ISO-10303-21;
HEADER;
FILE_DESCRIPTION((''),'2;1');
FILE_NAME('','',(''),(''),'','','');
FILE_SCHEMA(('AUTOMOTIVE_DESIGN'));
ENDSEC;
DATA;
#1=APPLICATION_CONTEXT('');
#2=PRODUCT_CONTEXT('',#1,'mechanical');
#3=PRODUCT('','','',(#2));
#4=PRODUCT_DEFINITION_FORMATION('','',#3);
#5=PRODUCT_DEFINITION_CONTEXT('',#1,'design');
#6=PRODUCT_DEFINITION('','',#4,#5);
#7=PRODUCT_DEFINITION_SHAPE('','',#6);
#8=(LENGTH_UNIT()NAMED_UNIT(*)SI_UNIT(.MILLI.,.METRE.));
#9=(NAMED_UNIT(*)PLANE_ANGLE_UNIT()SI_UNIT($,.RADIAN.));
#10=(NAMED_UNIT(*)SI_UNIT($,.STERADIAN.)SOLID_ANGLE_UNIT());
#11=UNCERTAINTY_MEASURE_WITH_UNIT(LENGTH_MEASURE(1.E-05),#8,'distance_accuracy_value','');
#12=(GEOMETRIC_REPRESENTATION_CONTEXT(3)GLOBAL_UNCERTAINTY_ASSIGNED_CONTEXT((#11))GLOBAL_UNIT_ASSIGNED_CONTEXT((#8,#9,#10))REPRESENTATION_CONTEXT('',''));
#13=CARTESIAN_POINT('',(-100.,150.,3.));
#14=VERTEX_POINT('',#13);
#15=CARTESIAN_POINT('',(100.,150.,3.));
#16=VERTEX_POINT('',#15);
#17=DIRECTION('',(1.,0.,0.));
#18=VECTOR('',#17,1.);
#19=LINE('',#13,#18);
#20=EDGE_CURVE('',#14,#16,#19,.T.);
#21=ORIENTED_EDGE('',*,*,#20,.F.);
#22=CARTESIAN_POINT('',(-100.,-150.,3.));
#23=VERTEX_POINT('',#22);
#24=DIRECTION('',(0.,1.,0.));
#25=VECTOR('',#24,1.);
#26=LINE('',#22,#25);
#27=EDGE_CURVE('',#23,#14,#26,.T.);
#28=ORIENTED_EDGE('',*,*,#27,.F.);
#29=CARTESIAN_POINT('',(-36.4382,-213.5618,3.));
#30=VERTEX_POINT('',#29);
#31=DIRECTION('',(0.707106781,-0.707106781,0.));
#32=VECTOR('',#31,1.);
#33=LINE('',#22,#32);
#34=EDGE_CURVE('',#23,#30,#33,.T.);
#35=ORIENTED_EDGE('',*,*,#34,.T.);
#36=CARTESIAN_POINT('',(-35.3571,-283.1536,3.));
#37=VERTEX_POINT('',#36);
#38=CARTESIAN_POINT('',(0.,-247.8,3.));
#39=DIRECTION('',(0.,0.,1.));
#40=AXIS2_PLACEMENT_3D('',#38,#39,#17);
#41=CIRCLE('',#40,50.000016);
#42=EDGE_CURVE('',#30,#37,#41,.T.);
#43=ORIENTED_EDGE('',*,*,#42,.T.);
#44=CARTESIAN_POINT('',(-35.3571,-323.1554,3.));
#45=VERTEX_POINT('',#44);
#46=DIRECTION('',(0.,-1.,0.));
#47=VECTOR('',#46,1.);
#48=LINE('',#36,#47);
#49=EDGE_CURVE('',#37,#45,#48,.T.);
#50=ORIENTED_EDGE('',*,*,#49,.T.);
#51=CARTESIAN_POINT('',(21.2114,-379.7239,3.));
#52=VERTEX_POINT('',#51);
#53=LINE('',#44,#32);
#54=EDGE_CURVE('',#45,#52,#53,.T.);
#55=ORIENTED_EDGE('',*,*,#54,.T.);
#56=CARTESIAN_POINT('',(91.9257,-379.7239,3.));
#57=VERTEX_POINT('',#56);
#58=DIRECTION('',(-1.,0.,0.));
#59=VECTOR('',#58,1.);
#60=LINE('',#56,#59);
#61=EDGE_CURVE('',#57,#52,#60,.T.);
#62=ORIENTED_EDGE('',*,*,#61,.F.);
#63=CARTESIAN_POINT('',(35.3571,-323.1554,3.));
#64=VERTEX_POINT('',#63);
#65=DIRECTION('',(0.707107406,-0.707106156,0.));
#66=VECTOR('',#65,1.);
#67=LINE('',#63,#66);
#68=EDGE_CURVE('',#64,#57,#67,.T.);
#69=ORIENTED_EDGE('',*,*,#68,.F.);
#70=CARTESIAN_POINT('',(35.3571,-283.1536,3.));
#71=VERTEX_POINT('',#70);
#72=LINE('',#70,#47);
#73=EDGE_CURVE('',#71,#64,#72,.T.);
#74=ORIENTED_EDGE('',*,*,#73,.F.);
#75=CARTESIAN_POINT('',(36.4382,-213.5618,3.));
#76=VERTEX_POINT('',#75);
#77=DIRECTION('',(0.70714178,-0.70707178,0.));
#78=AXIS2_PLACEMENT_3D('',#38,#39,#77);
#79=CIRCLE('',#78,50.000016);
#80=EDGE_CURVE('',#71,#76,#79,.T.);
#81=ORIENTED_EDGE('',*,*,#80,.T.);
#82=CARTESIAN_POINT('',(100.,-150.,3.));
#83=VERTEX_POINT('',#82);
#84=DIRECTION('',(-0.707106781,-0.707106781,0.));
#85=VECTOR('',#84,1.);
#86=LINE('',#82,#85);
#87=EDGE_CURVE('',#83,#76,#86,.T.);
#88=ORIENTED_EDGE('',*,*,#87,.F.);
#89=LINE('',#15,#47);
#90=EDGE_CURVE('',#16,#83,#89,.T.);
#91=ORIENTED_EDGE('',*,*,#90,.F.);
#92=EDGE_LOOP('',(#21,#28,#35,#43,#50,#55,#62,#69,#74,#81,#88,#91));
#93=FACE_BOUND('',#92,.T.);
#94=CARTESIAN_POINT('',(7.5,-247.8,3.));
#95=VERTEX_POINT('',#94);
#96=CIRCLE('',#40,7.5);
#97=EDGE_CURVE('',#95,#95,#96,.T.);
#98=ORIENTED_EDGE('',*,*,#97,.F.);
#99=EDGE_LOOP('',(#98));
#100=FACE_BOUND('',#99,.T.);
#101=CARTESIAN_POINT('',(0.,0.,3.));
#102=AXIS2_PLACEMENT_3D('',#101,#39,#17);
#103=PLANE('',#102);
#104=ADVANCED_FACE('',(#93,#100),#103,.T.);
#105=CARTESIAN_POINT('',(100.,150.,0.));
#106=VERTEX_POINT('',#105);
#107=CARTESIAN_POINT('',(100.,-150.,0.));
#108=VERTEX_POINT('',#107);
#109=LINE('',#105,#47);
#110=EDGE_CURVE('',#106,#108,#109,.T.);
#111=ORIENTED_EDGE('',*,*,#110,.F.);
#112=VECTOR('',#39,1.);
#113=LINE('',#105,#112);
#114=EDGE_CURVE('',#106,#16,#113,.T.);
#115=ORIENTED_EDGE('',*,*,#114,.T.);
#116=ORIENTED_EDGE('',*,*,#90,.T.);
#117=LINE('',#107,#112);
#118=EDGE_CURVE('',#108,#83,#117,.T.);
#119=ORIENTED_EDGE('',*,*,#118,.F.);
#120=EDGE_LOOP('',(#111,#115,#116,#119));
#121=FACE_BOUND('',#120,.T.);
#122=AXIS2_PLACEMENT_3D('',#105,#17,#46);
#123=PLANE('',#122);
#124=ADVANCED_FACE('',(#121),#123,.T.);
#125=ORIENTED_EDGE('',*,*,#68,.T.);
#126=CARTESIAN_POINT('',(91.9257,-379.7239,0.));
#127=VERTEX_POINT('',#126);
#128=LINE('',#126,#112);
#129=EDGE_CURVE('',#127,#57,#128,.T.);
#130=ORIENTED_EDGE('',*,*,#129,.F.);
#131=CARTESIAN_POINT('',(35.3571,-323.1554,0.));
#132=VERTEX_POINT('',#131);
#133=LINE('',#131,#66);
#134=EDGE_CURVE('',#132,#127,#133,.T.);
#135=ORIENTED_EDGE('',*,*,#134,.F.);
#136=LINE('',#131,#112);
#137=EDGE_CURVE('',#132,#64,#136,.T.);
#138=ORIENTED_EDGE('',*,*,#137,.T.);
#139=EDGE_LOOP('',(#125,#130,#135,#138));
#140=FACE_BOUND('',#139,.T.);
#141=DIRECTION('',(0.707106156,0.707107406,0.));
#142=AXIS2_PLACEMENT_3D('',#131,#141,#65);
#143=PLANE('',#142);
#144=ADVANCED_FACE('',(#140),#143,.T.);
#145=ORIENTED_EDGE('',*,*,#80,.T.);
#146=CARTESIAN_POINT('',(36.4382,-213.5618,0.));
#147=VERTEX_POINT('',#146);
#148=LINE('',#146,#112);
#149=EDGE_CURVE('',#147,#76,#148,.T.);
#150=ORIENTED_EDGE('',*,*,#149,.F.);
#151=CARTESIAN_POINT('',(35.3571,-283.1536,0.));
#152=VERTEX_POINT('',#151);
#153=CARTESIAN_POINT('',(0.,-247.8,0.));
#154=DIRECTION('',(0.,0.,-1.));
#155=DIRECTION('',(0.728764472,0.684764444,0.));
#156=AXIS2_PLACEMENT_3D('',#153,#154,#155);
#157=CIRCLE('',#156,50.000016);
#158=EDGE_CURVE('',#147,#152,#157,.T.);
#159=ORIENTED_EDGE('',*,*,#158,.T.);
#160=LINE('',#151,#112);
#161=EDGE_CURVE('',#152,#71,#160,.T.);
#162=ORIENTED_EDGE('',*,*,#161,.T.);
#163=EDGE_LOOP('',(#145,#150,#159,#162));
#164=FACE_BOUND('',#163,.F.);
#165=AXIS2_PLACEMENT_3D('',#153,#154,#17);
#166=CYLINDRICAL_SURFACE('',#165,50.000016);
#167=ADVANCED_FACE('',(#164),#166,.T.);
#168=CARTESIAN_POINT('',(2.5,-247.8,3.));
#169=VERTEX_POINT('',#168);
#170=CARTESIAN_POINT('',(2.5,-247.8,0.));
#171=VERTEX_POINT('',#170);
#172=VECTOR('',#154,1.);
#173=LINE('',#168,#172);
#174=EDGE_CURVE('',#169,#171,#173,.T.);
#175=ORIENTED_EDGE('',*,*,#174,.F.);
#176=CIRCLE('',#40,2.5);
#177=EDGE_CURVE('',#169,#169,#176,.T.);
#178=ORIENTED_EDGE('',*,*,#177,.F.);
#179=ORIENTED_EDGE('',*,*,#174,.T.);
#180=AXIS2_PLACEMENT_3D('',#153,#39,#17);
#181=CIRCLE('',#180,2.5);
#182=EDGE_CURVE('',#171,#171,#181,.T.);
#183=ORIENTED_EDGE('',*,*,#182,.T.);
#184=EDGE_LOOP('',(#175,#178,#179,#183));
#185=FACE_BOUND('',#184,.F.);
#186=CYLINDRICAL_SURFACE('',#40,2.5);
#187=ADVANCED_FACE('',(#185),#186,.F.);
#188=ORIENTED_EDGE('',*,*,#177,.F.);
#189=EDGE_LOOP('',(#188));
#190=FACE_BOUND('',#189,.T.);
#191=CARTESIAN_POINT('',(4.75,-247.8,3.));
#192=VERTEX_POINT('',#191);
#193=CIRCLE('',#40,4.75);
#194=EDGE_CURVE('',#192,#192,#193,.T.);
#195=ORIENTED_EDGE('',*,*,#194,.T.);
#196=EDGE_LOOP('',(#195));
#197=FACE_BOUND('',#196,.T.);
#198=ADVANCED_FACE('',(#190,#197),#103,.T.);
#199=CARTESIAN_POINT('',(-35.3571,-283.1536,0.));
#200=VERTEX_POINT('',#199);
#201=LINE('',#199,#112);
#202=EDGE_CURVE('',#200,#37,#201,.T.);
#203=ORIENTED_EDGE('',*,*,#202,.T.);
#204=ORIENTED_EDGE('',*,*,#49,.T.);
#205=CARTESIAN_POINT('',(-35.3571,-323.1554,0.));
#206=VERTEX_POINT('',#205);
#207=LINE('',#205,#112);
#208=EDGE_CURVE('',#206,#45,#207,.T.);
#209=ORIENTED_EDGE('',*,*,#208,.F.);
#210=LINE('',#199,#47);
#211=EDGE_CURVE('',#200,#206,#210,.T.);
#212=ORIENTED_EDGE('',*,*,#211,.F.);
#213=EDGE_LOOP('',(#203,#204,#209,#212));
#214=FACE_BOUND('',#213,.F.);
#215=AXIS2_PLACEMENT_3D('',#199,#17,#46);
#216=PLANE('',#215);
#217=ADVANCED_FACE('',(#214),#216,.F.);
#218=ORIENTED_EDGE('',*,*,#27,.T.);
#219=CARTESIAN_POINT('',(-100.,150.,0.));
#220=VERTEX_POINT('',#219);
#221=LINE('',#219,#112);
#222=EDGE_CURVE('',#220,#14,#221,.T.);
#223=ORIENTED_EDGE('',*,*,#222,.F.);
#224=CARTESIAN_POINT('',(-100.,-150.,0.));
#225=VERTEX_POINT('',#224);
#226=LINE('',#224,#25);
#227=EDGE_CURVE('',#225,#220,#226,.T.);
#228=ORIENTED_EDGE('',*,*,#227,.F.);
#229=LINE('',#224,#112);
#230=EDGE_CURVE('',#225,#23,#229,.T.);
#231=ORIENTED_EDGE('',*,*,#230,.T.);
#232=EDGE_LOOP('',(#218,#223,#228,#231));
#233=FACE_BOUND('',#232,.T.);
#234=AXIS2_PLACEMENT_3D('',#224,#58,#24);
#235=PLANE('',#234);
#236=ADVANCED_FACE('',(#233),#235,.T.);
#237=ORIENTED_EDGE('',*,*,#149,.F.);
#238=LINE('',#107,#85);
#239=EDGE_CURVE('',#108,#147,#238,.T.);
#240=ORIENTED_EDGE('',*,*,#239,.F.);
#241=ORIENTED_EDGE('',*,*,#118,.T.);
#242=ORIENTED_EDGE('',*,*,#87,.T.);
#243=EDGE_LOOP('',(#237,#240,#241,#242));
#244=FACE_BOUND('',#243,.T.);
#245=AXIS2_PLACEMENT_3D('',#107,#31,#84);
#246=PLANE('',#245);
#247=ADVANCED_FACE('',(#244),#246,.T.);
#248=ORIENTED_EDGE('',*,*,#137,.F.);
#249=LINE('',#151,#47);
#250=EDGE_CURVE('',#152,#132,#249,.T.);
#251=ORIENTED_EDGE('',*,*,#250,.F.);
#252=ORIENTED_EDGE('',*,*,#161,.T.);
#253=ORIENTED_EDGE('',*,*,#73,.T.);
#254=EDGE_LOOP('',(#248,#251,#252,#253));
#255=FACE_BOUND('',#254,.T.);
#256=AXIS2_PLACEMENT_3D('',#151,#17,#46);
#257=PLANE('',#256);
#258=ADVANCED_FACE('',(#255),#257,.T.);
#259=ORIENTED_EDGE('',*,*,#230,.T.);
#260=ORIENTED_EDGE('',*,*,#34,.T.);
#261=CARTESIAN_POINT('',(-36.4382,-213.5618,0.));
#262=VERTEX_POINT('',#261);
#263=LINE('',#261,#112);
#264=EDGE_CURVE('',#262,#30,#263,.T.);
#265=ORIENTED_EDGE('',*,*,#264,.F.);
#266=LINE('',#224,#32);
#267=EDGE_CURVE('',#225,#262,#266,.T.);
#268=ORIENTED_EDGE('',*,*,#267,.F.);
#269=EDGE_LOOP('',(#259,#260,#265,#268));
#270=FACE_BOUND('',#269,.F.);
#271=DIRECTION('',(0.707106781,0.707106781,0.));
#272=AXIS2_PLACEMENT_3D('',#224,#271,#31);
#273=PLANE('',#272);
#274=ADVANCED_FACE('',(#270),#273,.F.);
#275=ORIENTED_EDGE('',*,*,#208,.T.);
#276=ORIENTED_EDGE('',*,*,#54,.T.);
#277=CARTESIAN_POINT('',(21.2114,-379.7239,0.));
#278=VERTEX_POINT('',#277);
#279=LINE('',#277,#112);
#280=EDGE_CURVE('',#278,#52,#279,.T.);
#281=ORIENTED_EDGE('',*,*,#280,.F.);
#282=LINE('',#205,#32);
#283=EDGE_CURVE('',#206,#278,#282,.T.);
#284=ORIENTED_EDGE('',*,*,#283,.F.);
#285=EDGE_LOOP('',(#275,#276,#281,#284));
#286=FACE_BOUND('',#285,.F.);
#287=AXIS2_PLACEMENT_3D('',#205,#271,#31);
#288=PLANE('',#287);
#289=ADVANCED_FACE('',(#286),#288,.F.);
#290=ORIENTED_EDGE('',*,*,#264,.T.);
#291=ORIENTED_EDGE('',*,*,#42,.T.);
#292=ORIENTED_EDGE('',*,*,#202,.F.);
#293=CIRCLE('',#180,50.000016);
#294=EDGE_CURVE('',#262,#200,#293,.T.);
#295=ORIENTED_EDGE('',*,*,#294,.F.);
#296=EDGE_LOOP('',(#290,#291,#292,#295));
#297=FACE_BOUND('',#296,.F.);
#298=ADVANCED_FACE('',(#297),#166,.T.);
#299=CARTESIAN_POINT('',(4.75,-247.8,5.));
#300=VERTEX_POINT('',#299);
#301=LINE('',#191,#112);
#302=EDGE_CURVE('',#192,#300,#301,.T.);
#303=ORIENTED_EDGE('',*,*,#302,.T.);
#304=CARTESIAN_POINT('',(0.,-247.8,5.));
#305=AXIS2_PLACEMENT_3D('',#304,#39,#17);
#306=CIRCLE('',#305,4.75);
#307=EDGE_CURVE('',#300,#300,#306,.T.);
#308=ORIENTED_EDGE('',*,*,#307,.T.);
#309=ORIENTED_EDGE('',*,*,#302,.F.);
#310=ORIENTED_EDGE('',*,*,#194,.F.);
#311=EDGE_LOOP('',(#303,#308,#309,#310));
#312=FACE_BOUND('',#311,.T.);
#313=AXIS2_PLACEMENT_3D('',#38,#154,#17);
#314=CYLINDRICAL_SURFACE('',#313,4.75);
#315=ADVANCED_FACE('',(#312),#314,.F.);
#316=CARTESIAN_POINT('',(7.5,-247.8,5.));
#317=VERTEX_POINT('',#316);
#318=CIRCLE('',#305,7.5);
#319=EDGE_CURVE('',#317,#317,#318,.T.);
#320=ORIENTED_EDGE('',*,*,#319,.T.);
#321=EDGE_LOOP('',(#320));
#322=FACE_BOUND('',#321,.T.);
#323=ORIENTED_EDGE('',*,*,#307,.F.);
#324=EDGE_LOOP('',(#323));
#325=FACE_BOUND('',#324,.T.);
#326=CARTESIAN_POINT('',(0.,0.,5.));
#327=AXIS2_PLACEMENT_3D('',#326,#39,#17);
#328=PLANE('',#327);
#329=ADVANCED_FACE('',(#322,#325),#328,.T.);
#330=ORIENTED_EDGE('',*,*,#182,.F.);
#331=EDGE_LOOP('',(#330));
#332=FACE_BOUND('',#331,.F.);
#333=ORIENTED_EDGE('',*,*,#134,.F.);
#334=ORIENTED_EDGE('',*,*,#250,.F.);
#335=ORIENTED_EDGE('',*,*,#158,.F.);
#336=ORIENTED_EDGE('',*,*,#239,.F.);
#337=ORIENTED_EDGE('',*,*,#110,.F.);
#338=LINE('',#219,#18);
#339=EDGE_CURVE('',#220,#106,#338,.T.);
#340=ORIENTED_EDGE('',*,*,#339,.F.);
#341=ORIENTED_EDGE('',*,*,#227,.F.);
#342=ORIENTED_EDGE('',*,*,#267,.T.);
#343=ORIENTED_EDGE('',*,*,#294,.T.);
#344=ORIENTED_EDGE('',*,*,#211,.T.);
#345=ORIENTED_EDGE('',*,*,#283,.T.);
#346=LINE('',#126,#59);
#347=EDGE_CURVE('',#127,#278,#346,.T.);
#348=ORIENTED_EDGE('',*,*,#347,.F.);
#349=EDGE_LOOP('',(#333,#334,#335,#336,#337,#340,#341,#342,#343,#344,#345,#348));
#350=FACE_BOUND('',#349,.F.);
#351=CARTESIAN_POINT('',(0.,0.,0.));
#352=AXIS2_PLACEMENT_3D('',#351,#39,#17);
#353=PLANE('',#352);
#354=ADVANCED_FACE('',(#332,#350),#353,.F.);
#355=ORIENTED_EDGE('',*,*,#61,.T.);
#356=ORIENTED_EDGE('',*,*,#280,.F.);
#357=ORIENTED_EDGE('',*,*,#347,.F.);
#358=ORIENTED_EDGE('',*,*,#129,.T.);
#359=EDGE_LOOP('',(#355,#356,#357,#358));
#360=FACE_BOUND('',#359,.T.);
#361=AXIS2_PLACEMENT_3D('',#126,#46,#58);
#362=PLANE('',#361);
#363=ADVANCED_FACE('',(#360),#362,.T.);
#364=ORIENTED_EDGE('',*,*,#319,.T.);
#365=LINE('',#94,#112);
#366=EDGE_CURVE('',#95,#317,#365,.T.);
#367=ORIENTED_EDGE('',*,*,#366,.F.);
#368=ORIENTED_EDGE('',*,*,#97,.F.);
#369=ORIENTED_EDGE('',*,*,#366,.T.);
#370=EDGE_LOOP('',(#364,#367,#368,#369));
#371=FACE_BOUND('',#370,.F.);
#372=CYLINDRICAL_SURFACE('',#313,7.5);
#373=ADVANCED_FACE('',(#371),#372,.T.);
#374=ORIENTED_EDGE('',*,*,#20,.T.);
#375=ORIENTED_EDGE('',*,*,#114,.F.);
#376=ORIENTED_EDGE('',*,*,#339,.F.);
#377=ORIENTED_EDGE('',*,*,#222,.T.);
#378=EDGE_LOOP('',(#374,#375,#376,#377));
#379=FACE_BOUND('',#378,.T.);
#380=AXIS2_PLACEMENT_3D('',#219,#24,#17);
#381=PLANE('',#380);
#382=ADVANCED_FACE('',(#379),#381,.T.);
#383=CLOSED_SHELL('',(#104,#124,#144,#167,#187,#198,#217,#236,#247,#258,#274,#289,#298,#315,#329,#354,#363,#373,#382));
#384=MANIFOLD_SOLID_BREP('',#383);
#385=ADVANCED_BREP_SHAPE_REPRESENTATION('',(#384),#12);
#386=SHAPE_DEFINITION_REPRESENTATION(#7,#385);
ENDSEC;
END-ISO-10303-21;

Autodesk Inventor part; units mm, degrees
ref_plane "YZ Plane" through (0, 0, 0) normal (1, 0, 0) x (0, 1, 0)
ref_plane "XZ Plane" through (0, 0, 0) normal (0, 1, 0) x (-1, 0, 0)
ref_plane "XY Plane" through (0, 0, 0) normal (0, 0, 1) x (1, 0, 0)
sketch "Sketch1" plane through (0, 0, 0) normal (0, 0, 1) x (1, 0, 0)
  line L0 (-100, 150) -> (100, 150)
  line L1 (100, 150) -> (100, -150)
  line L2 (-100, -150) -> (-100, 150)
  line L3 (-100, 150) -> (100, -150) construction
  line L4 (100, 150) -> (-100, -150) construction
  line L5 (100, -150) -> (36.4382, -213.5618)
  line L6 (-35.3571, -283.1536) -> (-35.3571, -323.1554)
  line L7 (-35.3571, -323.1554) -> (21.2114, -379.7239)
  line L8 (35.3571, -283.1536) -> (35.3571, -323.1554)
  line L9 (35.3571, -323.1554) -> (91.9257, -379.7239)
  line L10 (91.9257, -379.7239) -> (21.2114, -379.7239)
  arc A0 (-35.3571, -283.1536) -> (-35.3553, -283.1554) centre (0, -247.8) ccw
  arc A1 (-36.4382, -213.5618) -> (-35.3553, -283.1554) centre (0, -247.8) ccw
  arc A2 (35.3571, -283.1536) -> (36.4382, -213.5618) centre (0, -247.8) ccw
  line L11 (-100, -150) -> (-36.4382, -213.5618)
  point P0 (0, 0)
  point P1 (35.3571, -285.3571)
extrude "Extrusion1" add sketch "Sketch1" along normal blind 3
sketch "Sketch2" plane through (0, 0, 3) normal (0, 0, 1) x (1, 0, 0)
  arc A0 (35.3571, -283.1536) -> (36.4382, -213.5618) centre (0, -247.8) ccw projected
  circle A1 centre (0, -247.8) radius 2.5
  circle A2 centre (0, -247.8) radius 4.75
  circle A3 centre (0, -247.8) radius 7.5
  point P0 (0, 0)
  dimension "d20" = 5
  dimension "d21" = 9.5
  dimension "d22" = 15
extrude "Extrusion2" cut sketch "Sketch2" against normal blind 3 contours A1
extrude "Extrusion3" add sketch "Sketch2" along normal blind 2 contours A3
properties part number "leftside0"
